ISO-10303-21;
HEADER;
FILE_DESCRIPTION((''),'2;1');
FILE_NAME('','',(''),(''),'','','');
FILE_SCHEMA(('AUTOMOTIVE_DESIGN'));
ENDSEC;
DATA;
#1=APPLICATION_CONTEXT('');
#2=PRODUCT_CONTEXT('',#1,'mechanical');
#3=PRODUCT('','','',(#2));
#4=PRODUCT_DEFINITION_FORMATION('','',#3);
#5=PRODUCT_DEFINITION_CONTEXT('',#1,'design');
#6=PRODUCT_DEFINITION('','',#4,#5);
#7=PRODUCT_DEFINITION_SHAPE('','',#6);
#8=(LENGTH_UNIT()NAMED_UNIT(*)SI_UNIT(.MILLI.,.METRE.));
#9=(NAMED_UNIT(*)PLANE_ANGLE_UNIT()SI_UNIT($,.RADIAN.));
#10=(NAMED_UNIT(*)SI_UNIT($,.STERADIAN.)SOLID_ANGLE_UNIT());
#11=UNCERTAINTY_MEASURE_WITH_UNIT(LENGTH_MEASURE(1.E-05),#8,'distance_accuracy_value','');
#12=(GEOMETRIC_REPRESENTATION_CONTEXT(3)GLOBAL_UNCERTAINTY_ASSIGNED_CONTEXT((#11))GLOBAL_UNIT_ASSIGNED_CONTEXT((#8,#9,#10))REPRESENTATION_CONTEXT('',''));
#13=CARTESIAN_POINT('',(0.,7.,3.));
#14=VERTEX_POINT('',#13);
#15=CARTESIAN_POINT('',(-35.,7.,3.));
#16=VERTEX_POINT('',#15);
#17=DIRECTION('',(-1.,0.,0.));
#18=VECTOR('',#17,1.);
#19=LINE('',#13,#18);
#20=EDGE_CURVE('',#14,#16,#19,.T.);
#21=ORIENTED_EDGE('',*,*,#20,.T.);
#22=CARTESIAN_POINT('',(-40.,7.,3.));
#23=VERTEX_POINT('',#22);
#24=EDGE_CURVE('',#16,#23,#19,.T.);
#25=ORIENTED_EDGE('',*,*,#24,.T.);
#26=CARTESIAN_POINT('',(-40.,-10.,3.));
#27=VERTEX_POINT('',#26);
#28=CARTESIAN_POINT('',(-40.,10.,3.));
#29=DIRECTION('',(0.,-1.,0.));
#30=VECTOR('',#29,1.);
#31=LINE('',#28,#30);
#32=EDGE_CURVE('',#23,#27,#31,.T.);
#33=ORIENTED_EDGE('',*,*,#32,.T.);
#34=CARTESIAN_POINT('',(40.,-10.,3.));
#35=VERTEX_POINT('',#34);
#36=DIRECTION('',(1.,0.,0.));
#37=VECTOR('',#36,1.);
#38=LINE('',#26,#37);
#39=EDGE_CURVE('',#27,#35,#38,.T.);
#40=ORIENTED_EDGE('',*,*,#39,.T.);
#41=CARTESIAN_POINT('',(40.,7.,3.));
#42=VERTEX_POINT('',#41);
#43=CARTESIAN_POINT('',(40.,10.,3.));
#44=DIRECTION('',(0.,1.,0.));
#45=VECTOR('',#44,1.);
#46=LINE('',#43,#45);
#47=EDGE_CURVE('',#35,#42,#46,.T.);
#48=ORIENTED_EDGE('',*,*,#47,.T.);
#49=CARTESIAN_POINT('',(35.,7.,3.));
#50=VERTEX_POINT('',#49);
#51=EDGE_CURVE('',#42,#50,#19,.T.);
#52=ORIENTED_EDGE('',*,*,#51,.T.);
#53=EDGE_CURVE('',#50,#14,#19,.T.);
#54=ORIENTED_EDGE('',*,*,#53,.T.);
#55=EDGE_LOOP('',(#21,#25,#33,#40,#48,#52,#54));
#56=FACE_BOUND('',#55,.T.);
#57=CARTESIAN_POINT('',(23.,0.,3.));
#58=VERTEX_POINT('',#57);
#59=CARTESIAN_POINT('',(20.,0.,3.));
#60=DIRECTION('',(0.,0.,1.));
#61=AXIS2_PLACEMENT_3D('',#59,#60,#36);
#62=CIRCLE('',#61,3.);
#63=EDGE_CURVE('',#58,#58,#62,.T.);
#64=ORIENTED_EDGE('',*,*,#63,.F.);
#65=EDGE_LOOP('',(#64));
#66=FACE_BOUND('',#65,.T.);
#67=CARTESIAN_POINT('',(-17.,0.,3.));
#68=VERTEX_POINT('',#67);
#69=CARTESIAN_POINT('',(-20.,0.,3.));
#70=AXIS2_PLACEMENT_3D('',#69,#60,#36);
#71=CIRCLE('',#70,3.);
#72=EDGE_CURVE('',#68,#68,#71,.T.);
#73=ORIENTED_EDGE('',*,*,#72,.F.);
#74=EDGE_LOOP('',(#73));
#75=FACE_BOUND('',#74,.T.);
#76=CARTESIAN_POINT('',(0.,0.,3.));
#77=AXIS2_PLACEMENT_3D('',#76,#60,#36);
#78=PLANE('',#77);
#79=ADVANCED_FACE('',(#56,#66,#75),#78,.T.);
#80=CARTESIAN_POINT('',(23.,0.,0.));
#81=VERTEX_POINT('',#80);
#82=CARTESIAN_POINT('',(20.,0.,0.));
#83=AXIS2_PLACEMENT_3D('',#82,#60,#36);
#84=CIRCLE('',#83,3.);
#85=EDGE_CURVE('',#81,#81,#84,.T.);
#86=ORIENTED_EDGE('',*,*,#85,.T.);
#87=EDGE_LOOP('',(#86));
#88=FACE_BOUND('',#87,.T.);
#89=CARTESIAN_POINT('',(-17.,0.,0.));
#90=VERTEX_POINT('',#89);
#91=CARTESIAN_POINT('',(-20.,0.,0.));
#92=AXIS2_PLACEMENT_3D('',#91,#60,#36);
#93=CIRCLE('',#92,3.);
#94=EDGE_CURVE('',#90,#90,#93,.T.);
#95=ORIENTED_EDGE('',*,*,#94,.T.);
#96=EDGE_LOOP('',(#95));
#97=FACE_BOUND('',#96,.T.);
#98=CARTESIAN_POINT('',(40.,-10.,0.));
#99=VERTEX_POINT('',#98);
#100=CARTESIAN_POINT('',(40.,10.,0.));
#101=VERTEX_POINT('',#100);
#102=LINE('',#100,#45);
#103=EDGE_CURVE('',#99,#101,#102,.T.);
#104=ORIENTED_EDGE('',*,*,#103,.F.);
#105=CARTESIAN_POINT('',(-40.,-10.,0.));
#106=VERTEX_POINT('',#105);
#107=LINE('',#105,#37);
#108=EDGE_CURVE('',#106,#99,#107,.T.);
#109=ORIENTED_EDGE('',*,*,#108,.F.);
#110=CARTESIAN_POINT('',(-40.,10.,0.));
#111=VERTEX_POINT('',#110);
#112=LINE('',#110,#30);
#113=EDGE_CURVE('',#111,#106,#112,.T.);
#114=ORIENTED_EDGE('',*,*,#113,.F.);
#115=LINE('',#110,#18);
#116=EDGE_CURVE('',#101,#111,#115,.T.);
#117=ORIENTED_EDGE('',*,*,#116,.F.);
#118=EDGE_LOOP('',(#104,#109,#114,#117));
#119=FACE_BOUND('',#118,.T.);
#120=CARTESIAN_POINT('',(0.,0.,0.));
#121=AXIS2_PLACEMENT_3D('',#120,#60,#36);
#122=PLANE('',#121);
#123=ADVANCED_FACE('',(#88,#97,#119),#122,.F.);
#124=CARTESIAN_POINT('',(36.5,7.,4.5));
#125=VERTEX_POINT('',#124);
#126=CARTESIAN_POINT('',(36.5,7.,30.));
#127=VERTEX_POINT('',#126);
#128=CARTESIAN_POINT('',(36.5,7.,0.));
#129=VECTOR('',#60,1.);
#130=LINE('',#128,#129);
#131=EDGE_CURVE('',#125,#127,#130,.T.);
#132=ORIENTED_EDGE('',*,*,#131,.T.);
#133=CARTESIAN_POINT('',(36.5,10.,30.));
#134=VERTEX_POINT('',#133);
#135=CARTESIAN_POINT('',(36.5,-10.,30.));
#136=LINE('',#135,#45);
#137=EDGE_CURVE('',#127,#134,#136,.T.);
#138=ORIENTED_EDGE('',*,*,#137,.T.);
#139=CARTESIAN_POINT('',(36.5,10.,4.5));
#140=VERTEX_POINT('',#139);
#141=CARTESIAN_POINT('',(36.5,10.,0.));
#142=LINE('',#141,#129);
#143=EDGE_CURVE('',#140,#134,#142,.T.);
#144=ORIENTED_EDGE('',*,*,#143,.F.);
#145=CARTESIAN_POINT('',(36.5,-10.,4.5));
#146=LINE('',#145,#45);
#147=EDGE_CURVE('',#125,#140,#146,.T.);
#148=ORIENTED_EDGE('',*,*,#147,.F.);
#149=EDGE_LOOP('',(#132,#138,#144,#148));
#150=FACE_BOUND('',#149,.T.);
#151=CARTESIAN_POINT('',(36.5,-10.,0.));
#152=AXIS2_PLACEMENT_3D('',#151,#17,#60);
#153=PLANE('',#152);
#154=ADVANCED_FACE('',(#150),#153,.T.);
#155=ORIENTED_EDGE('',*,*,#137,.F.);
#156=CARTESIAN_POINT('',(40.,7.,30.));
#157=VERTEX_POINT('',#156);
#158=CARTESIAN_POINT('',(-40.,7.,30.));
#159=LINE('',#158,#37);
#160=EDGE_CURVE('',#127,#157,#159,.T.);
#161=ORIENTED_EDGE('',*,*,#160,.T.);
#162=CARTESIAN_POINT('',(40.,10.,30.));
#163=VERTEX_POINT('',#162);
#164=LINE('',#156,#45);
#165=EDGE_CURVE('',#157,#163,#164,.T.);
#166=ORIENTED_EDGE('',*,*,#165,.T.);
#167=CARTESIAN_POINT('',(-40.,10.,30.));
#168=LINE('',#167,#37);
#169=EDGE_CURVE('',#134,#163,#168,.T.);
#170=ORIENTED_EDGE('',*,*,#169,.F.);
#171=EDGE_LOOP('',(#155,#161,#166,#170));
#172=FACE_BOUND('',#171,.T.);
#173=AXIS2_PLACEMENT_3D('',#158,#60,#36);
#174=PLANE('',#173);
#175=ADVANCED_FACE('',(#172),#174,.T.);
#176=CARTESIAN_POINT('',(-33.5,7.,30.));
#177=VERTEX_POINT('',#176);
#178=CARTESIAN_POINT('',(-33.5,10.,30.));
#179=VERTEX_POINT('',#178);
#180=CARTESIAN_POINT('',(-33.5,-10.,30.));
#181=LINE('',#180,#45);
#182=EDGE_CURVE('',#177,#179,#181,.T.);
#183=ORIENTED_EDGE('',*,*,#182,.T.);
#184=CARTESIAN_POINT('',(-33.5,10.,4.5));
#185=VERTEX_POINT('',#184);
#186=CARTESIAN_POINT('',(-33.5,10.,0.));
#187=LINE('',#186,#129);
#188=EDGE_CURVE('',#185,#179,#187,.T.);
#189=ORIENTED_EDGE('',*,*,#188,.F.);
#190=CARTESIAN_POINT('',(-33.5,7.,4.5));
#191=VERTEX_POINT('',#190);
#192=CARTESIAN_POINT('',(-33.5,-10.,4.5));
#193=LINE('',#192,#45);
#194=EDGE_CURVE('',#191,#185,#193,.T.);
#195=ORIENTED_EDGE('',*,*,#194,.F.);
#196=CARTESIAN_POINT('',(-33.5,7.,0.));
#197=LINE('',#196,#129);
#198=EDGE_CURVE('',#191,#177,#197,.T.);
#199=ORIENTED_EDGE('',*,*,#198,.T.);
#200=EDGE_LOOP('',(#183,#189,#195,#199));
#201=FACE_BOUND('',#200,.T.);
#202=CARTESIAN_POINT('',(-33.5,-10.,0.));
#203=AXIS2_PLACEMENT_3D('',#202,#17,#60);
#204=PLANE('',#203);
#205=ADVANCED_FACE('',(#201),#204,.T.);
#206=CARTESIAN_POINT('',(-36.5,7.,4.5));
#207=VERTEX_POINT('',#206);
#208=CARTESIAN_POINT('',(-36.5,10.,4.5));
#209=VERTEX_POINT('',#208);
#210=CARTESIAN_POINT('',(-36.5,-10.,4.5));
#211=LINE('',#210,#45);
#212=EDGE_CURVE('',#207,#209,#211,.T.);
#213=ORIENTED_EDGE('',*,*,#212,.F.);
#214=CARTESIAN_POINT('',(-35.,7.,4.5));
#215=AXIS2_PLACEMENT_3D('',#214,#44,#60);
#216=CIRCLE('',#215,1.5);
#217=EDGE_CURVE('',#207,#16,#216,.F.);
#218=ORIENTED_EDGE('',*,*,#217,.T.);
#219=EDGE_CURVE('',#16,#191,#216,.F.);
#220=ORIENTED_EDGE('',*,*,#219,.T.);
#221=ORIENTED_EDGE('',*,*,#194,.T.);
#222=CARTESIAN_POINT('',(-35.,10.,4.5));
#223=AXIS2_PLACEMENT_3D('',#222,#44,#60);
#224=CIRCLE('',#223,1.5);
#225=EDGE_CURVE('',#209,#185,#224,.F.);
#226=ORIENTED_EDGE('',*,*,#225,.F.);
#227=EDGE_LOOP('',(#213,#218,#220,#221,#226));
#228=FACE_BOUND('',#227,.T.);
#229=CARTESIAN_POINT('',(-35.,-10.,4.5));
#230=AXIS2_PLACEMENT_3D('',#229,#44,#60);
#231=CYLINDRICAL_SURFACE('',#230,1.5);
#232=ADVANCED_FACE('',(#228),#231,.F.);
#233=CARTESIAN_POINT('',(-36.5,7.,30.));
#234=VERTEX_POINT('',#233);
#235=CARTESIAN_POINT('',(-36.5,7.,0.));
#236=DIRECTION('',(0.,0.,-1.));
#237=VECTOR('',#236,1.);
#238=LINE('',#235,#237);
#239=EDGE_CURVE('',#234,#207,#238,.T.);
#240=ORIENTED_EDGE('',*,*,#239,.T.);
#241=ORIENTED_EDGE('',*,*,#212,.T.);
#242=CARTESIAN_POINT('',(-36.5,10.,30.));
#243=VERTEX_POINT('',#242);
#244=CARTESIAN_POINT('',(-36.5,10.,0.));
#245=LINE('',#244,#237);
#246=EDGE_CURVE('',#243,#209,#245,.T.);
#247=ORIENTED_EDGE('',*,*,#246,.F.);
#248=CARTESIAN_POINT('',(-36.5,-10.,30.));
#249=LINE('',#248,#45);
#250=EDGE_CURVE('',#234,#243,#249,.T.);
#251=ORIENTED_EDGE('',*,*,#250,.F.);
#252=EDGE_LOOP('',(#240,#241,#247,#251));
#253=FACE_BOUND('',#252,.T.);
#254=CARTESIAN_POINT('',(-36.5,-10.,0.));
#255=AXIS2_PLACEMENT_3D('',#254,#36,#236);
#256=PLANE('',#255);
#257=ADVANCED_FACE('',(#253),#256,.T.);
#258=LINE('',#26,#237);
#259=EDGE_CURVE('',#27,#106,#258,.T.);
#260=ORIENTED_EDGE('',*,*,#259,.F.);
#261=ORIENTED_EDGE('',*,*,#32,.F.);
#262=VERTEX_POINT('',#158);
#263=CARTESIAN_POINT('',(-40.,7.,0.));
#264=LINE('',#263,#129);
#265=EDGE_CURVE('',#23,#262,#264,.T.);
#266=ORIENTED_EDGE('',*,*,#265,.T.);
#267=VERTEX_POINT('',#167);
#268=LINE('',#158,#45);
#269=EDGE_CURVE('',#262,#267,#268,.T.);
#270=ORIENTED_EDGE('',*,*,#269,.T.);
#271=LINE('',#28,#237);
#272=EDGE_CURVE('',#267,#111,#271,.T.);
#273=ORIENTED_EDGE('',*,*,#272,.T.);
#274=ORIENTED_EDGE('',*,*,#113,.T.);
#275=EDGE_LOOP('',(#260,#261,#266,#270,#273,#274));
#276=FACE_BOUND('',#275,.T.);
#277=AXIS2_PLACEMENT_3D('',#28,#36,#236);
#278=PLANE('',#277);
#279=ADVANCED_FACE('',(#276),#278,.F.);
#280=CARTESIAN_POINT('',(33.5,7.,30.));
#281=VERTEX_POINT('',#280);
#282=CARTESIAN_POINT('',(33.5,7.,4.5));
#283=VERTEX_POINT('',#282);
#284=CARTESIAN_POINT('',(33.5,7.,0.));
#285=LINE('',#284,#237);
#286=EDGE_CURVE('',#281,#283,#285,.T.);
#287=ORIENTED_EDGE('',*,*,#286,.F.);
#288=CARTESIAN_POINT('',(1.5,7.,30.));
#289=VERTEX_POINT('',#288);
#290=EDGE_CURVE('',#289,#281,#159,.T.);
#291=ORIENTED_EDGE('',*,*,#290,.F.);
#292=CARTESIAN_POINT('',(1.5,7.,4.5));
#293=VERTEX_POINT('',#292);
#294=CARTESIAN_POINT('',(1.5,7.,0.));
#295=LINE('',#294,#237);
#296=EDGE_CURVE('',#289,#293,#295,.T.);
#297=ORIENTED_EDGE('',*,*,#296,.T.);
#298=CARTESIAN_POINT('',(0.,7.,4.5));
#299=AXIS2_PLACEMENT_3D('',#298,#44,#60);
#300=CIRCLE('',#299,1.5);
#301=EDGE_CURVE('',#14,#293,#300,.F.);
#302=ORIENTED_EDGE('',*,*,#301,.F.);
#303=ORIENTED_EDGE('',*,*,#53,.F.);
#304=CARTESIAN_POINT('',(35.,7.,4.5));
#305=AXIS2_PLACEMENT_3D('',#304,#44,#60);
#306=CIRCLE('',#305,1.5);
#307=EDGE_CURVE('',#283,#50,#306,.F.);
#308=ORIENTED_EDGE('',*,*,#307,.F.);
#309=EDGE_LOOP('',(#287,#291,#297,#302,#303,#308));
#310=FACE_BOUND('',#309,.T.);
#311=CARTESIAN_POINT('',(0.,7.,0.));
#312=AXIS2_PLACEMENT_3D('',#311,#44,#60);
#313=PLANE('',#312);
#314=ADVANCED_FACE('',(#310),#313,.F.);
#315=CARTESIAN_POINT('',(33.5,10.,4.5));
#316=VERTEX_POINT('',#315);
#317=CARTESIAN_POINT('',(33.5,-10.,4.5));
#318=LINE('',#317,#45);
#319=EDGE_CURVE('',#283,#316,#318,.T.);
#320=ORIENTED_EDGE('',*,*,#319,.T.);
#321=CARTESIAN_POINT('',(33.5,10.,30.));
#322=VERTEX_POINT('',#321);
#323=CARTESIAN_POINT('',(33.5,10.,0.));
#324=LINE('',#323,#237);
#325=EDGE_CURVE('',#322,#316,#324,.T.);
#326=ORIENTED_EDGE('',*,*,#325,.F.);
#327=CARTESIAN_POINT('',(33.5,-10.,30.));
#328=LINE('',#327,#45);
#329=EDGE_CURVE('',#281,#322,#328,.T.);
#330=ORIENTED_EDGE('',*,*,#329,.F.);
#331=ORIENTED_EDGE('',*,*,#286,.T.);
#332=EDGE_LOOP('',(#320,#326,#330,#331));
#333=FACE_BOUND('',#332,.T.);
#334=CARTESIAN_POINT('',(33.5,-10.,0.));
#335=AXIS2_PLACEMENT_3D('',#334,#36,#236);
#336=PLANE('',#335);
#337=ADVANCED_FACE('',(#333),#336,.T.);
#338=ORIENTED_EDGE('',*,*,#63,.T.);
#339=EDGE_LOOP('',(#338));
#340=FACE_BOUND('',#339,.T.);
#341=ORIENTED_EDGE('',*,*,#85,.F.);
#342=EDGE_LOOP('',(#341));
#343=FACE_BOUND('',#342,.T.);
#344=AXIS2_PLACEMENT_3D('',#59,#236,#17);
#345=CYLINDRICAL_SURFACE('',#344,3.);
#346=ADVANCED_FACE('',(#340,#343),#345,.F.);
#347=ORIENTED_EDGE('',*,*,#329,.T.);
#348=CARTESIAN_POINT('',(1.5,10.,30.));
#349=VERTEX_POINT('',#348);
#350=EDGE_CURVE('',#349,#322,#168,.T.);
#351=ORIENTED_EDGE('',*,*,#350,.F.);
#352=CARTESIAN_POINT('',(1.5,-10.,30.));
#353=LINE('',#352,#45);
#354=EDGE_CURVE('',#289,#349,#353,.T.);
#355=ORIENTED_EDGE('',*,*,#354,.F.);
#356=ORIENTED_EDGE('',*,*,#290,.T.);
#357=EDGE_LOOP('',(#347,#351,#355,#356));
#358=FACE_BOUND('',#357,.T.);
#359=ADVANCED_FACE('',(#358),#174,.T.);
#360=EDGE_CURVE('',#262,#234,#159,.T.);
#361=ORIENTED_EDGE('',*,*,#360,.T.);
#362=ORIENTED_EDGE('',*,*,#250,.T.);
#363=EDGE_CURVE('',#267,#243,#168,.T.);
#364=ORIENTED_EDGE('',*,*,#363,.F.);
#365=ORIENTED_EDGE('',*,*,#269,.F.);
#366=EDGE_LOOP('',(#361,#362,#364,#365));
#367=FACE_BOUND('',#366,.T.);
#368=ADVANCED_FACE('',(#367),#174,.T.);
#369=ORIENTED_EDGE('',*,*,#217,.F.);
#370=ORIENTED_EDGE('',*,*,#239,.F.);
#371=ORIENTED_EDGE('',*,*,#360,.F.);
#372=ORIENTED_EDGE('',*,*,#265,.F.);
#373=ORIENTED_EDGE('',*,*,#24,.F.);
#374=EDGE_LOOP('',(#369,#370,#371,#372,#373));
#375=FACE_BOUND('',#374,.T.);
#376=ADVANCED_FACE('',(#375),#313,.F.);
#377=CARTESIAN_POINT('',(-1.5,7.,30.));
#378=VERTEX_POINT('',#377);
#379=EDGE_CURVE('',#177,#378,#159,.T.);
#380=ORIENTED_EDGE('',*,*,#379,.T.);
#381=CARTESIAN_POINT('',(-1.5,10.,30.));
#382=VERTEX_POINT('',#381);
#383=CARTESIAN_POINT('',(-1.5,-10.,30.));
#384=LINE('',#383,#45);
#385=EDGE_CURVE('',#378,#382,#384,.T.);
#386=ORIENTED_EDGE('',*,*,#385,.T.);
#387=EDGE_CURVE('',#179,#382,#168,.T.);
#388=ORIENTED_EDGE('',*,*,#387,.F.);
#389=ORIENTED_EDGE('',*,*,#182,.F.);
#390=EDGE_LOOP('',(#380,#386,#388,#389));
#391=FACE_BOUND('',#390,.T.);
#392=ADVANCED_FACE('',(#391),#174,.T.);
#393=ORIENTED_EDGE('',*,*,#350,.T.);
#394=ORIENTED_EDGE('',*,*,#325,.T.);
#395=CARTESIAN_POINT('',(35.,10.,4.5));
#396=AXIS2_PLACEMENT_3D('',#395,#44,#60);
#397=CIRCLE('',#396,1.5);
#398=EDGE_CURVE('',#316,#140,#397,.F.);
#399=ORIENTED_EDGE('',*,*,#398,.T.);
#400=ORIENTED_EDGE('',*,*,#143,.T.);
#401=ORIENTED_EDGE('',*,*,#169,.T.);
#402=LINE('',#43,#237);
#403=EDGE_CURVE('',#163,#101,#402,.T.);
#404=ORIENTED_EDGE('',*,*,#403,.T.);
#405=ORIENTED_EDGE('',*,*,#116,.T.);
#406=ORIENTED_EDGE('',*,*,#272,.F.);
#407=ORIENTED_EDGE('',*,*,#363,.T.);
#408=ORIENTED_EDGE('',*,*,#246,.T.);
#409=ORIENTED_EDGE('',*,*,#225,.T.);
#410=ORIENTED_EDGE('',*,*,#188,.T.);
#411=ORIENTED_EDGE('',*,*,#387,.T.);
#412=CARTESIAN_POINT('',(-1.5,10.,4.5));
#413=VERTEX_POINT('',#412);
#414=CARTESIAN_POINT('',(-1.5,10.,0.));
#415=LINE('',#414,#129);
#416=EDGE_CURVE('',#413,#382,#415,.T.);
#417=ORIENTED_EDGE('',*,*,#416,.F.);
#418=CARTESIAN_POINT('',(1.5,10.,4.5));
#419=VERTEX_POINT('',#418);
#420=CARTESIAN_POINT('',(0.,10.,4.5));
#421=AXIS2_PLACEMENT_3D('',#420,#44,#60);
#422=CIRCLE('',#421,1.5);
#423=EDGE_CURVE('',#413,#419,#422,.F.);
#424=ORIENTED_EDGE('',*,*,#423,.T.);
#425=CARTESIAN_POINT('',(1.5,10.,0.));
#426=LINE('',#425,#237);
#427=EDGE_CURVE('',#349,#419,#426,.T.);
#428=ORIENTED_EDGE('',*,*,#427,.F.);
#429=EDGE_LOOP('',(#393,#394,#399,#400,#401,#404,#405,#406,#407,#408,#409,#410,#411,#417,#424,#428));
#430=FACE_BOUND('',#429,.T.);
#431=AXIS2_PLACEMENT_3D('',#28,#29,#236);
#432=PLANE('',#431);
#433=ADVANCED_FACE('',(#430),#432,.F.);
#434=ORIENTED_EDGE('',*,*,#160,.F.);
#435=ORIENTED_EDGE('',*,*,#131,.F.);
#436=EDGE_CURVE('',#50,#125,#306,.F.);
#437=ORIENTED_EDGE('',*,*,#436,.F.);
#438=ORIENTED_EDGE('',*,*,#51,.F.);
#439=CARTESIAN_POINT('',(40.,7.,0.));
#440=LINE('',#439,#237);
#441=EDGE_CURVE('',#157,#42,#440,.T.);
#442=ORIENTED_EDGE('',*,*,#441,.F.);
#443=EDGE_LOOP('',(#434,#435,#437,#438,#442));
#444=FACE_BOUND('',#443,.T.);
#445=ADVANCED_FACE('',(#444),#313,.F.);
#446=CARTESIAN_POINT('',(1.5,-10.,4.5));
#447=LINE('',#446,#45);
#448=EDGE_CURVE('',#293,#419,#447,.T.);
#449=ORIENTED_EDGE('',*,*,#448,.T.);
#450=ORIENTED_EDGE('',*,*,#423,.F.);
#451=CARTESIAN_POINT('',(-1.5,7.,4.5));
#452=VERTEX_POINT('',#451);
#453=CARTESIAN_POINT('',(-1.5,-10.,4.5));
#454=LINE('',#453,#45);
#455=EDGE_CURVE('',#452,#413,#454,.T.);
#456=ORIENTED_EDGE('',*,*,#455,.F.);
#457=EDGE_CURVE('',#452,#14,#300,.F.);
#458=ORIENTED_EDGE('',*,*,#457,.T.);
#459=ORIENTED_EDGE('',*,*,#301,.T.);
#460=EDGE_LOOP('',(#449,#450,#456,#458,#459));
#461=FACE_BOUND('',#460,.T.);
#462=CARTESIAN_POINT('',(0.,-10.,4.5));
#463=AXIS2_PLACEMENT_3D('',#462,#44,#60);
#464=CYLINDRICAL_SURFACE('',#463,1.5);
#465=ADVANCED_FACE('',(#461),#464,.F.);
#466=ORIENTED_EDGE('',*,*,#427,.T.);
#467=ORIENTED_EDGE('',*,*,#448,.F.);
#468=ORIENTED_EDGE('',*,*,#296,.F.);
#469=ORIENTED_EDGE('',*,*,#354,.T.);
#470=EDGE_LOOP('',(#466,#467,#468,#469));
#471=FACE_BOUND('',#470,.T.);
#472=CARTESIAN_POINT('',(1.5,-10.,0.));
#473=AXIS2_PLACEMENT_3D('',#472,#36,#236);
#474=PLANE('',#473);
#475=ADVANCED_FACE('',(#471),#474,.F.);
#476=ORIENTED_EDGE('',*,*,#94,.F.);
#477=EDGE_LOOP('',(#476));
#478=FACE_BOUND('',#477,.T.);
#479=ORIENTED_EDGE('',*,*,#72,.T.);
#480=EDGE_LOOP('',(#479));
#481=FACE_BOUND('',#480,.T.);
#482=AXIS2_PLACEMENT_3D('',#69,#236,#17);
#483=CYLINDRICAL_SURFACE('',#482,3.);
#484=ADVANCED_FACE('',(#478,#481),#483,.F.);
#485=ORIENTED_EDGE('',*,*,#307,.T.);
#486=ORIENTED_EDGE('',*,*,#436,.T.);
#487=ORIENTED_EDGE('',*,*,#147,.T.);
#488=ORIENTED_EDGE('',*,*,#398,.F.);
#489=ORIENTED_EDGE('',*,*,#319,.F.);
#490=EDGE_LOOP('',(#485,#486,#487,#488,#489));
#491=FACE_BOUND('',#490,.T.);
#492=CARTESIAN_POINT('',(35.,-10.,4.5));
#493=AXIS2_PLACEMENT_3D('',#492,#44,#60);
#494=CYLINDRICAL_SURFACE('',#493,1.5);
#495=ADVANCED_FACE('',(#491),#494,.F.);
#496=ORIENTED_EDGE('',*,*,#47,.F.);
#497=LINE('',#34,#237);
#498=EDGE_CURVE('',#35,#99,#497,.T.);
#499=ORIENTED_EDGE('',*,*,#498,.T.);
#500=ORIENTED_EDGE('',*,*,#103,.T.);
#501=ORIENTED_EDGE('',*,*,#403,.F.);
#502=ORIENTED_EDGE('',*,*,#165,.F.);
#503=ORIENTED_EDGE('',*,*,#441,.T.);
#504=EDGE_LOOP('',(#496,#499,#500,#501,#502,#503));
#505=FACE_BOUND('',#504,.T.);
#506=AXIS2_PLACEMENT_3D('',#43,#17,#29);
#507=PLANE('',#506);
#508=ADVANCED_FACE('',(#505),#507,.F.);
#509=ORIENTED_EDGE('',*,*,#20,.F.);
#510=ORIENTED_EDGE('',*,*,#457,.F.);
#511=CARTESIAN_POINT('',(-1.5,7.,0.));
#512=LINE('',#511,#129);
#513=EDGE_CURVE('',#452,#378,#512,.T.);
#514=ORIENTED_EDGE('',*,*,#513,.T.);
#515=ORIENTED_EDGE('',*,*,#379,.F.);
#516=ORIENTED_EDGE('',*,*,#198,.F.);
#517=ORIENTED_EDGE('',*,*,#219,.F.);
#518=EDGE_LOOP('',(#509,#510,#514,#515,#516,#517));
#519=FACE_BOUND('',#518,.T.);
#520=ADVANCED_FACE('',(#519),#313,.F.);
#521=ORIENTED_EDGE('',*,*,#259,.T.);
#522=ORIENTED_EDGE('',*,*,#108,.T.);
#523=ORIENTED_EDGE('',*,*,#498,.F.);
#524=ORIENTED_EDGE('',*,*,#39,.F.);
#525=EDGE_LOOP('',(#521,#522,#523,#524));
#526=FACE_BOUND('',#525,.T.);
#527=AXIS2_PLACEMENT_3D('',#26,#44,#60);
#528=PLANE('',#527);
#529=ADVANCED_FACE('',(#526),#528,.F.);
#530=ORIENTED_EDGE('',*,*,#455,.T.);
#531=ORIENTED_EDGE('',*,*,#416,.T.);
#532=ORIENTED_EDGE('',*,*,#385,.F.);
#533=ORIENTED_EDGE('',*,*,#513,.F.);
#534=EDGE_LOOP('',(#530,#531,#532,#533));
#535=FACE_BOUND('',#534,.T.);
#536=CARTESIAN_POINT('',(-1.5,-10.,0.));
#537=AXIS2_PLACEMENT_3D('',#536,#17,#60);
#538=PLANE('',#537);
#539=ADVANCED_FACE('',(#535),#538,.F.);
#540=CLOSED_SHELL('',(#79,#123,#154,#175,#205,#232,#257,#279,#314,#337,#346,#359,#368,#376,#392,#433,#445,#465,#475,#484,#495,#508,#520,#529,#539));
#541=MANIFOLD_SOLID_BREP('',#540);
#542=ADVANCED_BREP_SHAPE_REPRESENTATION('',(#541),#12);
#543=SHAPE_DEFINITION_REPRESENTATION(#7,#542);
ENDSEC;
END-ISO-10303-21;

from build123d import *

# Parameters (mm, degrees)
SKETCH_1_W          = 80
SKETCH_1_H          = 20
SKETCH_1_R          = 3
EXTRUDE_1_DEPTH     = 3
SKETCH_2_W          = 80
SKETCH_2_H          = 30
EXTRUDE_2_DEPTH     = 3
CUT_EXTRUDE_1_DEPTH = 20


with BuildPart() as part:
    # 草图1 → 凸台-拉伸1 (new body)
    with BuildSketch(Plane.XY):
        Rectangle(SKETCH_1_W, SKETCH_1_H)
        with Locations((20, 0)):
            Circle(SKETCH_1_R, mode=Mode.SUBTRACT)
        with Locations((-20, 0)):
            Circle(SKETCH_1_R, mode=Mode.SUBTRACT)
    extrude(amount=EXTRUDE_1_DEPTH)

    # 草图2 → 凸台-拉伸2 (add)
    with BuildSketch(Plane(origin=(0, 10, 0), x_dir=(1, 0, 0), z_dir=(0, 1, 0))):
        with Locations((0, -15)):
            Rectangle(SKETCH_2_W, SKETCH_2_H)
    extrude(amount=-EXTRUDE_2_DEPTH)

    # 草图3 → 切除-拉伸1 (cut)
    with BuildSketch(Plane(origin=(0, 10, 0), x_dir=(1, 0, 0), z_dir=(0, 1, 0))):
        with BuildLine():
            Line((-1.5, -4.5), (-1.5, -30))
            Line((-1.5, -30), (1.5, -30))
            Line((1.5, -30), (1.5, -4.5))
            ThreePointArc((1.5, -4.5), (0, -3), (-1.5, -4.5))
        make_face()
        with BuildLine():
            Line((33.5, -4.5), (33.5, -30))
            Line((33.5, -30), (36.5, -30))
            Line((36.5, -30), (36.5, -4.5))
            ThreePointArc((36.5, -4.5), (35, -3), (33.5, -4.5))
        make_face()
        with BuildLine():
            Line((-36.5, -4.5), (-36.5, -30))
            Line((-36.5, -30), (-33.5, -30))
            Line((-33.5, -30), (-33.5, -4.5))
            ThreePointArc((-33.5, -4.5), (-35, -3), (-36.5, -4.5))
        make_face()
    extrude(amount=-CUT_EXTRUDE_1_DEPTH, mode=Mode.SUBTRACT)


solid = part.part
